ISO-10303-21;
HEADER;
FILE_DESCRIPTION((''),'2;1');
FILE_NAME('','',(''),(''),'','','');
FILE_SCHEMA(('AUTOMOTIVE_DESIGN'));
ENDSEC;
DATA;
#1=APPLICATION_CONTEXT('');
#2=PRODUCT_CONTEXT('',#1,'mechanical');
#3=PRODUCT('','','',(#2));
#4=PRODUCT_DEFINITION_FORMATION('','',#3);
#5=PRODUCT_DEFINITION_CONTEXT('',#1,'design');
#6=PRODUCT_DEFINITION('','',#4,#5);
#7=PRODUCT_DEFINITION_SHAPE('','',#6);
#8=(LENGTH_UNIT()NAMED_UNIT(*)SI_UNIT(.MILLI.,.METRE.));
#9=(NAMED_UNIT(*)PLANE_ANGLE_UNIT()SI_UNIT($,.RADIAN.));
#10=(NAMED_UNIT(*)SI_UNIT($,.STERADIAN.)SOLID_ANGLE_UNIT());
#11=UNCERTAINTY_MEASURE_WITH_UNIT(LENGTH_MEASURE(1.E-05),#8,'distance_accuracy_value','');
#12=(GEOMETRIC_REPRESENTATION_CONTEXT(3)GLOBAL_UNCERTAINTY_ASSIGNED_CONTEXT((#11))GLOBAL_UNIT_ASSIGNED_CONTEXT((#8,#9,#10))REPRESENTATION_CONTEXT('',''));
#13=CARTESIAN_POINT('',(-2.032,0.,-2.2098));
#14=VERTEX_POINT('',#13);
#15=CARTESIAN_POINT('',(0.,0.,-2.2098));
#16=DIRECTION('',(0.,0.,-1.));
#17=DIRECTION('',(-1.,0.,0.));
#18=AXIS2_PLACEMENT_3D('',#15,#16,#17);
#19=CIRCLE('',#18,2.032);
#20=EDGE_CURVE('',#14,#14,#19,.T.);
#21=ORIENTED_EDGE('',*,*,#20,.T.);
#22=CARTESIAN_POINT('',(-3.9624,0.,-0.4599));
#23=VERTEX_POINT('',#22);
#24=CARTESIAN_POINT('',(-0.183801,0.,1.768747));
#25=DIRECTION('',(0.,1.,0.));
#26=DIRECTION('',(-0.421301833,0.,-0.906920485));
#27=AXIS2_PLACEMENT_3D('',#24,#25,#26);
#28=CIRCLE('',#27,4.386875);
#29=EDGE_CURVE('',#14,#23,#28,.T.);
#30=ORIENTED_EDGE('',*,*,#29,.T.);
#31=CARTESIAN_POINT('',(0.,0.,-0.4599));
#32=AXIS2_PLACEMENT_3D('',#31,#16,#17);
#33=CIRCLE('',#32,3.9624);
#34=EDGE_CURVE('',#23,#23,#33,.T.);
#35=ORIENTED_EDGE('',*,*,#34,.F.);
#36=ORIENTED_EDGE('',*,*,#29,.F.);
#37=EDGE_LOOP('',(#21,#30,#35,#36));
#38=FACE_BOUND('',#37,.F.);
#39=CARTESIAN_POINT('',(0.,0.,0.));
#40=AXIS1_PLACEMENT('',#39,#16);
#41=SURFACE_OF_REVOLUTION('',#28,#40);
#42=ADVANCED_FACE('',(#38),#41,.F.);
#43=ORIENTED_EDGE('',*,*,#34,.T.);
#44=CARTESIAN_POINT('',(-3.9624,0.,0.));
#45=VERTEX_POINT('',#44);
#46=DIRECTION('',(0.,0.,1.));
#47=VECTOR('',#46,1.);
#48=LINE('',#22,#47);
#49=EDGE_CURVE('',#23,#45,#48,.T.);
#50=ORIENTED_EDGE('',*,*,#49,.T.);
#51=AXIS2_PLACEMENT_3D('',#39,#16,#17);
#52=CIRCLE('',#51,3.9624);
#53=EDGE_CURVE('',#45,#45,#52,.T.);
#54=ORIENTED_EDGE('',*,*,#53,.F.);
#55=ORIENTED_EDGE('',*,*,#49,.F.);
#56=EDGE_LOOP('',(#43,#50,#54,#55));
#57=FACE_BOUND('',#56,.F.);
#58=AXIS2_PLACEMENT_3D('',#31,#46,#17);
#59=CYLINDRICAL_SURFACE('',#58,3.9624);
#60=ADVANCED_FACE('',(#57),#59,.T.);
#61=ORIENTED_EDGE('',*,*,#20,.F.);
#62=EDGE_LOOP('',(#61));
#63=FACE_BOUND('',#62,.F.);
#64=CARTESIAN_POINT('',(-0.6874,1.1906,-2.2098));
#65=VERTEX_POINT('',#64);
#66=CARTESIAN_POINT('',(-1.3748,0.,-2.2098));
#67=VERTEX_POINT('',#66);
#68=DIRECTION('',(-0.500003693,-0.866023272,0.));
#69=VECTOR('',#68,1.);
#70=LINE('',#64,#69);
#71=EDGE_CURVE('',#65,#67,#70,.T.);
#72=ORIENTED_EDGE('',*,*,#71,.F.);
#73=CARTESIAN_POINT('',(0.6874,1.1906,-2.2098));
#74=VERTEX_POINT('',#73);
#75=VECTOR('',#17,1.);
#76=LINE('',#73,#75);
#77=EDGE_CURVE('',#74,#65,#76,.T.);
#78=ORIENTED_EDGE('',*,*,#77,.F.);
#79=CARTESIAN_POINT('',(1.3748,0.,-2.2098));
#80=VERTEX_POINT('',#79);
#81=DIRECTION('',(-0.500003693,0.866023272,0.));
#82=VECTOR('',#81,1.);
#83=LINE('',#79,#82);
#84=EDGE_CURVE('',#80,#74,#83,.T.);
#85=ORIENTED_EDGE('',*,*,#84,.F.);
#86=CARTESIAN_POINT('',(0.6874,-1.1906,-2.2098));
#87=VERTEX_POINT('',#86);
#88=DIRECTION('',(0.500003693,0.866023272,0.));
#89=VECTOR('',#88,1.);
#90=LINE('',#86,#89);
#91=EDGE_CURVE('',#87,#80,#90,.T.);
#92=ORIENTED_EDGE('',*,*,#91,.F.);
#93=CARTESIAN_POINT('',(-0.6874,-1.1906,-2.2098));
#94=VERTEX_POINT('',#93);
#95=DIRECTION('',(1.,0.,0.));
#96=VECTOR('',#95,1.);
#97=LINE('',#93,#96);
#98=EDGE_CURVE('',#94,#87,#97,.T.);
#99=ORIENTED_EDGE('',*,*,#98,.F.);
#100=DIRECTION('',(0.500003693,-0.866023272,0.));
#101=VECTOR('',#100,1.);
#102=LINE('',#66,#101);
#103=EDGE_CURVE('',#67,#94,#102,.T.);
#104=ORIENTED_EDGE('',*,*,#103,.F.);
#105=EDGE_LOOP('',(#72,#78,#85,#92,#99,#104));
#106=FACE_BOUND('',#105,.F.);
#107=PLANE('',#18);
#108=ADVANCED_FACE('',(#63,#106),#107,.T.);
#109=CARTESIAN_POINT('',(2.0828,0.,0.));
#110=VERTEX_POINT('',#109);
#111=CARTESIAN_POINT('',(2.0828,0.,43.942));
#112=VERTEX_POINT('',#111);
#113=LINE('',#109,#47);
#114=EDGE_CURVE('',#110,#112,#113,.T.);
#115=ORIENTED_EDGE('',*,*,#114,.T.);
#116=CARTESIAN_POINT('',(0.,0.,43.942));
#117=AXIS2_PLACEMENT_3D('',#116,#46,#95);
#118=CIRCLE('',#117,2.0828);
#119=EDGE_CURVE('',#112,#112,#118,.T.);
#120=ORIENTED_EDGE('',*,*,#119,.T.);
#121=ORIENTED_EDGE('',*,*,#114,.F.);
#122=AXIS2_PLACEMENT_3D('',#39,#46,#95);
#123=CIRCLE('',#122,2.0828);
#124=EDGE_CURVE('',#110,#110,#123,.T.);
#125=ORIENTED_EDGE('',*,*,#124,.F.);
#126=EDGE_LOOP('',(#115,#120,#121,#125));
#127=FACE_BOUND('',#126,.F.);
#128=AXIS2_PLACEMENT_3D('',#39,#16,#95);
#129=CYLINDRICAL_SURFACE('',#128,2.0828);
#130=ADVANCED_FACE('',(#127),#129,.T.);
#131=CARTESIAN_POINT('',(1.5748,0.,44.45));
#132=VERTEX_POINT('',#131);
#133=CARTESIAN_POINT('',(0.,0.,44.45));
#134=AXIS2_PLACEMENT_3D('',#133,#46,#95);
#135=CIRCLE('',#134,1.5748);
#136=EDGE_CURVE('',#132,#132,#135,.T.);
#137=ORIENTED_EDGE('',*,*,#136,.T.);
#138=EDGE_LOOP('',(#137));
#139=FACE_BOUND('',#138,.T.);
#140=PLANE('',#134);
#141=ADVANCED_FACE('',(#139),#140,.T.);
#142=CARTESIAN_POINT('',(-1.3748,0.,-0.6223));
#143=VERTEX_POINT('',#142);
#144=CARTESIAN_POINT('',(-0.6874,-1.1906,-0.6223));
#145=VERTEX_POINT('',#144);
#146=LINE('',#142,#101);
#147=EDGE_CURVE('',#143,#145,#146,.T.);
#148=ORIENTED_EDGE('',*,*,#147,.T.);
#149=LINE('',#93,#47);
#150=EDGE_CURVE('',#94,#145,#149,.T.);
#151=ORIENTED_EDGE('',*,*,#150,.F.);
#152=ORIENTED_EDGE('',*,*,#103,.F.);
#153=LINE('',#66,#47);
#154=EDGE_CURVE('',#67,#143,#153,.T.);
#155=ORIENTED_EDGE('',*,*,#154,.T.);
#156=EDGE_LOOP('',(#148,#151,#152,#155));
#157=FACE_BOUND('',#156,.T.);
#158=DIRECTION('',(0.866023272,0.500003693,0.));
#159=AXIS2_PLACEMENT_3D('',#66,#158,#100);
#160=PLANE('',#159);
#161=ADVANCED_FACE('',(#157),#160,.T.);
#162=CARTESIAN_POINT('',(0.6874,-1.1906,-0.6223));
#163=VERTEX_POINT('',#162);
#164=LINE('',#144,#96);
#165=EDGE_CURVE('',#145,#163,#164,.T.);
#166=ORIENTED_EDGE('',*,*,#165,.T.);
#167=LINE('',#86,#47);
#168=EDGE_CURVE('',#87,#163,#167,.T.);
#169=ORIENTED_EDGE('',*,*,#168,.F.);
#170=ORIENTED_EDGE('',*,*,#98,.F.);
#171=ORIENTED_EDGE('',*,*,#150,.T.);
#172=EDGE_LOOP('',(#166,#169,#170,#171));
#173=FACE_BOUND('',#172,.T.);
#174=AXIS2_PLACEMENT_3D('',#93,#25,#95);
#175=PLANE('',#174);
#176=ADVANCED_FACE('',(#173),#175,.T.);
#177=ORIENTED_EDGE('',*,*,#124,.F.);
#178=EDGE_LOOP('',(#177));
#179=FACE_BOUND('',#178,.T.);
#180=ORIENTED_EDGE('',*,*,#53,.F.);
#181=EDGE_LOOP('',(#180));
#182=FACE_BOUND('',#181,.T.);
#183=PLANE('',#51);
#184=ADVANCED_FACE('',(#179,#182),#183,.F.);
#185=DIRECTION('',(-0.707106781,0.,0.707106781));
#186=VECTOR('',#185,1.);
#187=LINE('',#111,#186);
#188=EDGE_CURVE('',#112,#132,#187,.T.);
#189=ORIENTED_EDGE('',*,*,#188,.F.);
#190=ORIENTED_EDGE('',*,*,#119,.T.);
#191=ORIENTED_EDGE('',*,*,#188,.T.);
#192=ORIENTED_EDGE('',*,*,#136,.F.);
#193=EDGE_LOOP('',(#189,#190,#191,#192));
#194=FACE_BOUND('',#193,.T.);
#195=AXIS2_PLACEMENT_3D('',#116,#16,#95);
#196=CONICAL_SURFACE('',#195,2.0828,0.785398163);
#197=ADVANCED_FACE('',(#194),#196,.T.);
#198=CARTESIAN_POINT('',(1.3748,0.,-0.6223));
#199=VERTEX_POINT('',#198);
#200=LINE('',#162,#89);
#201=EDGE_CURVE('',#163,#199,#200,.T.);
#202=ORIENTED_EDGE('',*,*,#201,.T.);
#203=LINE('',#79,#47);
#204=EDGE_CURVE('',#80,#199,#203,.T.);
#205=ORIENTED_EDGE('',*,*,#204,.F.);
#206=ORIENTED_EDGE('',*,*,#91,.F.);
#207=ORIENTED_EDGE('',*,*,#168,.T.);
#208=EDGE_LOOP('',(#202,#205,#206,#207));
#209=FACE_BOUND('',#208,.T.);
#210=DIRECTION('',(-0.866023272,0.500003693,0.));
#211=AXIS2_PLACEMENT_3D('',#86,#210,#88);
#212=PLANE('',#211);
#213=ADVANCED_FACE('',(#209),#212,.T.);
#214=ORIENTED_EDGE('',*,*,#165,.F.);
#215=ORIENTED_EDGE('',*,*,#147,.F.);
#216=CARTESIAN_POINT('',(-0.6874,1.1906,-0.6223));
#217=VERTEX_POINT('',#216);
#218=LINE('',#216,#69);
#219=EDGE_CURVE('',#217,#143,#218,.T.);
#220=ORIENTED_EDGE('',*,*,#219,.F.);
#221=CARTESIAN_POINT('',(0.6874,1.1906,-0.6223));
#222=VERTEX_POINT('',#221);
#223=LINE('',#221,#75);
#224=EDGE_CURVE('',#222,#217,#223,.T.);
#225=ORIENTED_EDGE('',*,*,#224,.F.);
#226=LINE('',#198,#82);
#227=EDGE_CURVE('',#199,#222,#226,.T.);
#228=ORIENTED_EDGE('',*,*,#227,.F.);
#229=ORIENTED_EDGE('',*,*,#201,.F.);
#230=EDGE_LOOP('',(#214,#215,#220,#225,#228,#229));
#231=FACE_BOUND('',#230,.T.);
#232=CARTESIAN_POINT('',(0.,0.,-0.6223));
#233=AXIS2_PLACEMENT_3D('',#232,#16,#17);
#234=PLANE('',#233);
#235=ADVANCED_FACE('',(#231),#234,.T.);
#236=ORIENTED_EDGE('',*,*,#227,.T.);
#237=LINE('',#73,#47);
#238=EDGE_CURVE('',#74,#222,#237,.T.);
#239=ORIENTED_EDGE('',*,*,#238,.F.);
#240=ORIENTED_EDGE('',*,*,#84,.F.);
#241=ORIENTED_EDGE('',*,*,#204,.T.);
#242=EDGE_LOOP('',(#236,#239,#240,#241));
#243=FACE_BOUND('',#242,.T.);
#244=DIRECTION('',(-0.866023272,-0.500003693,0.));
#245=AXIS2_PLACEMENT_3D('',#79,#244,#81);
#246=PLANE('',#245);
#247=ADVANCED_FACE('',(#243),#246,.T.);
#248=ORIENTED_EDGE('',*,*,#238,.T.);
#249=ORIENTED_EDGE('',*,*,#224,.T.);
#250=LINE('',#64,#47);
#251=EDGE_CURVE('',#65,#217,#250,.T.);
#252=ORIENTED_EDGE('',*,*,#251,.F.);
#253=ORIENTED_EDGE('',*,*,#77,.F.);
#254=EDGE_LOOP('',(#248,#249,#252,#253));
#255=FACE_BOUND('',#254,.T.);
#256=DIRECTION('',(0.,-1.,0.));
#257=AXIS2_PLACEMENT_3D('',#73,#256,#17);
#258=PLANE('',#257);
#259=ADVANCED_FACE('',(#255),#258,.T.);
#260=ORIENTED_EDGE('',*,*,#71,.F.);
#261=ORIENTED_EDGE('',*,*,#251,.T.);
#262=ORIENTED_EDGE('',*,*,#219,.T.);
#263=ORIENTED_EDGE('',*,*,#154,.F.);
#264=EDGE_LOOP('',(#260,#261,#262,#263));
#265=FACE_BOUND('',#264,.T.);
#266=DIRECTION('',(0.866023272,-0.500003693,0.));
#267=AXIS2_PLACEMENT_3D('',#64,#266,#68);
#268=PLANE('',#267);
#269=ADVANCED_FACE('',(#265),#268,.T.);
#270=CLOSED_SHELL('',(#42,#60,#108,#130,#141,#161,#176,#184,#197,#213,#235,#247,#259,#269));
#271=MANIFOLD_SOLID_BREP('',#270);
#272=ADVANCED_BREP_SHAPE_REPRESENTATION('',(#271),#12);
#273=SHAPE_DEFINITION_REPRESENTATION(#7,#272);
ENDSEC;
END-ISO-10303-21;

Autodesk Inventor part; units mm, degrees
ref_plane "YZ Plane" through (0, 0, 0) normal (1, 0, 0) x (0, 1, 0)
ref_plane "XZ Plane" through (0, 0, 0) normal (0, 1, 0) x (-1, 0, 0)
ref_plane "XY Plane" through (0, 0, 0) normal (0, 0, 1) x (1, 0, 0)
sketch "Sketch1" plane through (0, 0, 0) normal (0, 0, 1) x (1, 0, 0)
  circle A0 centre (0, 0) radius 2.0828
  dimension "d0" = 4.1656
extrude "Extrusion1" add sketch "Sketch1" along normal blind 44.45
sketch "Sketch2" plane through (0, 0, 0) normal (0, 1, 0) x (-1, 0, 0)
  line L0 (0, 0) -> (0, -2.2098)
  line L1 (0, 0) -> (3.9624, 0)
  line L2 (0, -2.2098) -> (2.032, -2.2098)
  line L3 (3.9624, 0) -> (3.9624, 3.6562) construction
  arc A0 (2.032, -2.2098) -> (3.9624, -0.4599) centre (0.1837, 1.7689) ccw
  line L4 (4.5847, 0.6553) -> (4.5847, -0.2608) construction
  line L5 (3.9624, -0.4599) -> (3.9624, 0)
  dimension "d3" = 2.2098
  dimension "d6" = 2.032
  dimension "d19" = 3.9624
revolve "Revolution1" add sketch "Sketch2" angle 360 about axis through (0, 0, 0) along (0, 0, -1)
sketch "Sketch3" plane through (0, 0, -2.2098) normal (0, 0, -1) x (-1, 0, 0)
  circle A0 centre (0, 0) radius 2.032 projected
  line L0 (-0.6874, 1.1906) -> (0.6874, 1.1906)
  line L1 (0.6874, 1.1906) -> (1.3748, 0)
  line L2 (1.3748, 0) -> (0.6874, -1.1906)
  line L3 (0.6874, -1.1906) -> (-0.6874, -1.1906)
  line L4 (-0.6874, -1.1906) -> (-1.3748, 0)
  line L5 (-1.3748, 0) -> (-0.6874, 1.1906)
  dimension "d8" = 2.3813
extrude "Extrusion2" cut sketch "Sketch3" against normal blind 1.5875 contours L0 L1 L2 L3 L4 L5
chamfer "Chamfer1" distance 0.508 angle 45 1 edges at (-2.0828, 0, 44.45)
thread "Thread1" size "8-32 UNC" class "2A" standard "ANSI Unified Screw Threads" length 25.4
properties part number "10-32 x500 button head" material "Steel"
